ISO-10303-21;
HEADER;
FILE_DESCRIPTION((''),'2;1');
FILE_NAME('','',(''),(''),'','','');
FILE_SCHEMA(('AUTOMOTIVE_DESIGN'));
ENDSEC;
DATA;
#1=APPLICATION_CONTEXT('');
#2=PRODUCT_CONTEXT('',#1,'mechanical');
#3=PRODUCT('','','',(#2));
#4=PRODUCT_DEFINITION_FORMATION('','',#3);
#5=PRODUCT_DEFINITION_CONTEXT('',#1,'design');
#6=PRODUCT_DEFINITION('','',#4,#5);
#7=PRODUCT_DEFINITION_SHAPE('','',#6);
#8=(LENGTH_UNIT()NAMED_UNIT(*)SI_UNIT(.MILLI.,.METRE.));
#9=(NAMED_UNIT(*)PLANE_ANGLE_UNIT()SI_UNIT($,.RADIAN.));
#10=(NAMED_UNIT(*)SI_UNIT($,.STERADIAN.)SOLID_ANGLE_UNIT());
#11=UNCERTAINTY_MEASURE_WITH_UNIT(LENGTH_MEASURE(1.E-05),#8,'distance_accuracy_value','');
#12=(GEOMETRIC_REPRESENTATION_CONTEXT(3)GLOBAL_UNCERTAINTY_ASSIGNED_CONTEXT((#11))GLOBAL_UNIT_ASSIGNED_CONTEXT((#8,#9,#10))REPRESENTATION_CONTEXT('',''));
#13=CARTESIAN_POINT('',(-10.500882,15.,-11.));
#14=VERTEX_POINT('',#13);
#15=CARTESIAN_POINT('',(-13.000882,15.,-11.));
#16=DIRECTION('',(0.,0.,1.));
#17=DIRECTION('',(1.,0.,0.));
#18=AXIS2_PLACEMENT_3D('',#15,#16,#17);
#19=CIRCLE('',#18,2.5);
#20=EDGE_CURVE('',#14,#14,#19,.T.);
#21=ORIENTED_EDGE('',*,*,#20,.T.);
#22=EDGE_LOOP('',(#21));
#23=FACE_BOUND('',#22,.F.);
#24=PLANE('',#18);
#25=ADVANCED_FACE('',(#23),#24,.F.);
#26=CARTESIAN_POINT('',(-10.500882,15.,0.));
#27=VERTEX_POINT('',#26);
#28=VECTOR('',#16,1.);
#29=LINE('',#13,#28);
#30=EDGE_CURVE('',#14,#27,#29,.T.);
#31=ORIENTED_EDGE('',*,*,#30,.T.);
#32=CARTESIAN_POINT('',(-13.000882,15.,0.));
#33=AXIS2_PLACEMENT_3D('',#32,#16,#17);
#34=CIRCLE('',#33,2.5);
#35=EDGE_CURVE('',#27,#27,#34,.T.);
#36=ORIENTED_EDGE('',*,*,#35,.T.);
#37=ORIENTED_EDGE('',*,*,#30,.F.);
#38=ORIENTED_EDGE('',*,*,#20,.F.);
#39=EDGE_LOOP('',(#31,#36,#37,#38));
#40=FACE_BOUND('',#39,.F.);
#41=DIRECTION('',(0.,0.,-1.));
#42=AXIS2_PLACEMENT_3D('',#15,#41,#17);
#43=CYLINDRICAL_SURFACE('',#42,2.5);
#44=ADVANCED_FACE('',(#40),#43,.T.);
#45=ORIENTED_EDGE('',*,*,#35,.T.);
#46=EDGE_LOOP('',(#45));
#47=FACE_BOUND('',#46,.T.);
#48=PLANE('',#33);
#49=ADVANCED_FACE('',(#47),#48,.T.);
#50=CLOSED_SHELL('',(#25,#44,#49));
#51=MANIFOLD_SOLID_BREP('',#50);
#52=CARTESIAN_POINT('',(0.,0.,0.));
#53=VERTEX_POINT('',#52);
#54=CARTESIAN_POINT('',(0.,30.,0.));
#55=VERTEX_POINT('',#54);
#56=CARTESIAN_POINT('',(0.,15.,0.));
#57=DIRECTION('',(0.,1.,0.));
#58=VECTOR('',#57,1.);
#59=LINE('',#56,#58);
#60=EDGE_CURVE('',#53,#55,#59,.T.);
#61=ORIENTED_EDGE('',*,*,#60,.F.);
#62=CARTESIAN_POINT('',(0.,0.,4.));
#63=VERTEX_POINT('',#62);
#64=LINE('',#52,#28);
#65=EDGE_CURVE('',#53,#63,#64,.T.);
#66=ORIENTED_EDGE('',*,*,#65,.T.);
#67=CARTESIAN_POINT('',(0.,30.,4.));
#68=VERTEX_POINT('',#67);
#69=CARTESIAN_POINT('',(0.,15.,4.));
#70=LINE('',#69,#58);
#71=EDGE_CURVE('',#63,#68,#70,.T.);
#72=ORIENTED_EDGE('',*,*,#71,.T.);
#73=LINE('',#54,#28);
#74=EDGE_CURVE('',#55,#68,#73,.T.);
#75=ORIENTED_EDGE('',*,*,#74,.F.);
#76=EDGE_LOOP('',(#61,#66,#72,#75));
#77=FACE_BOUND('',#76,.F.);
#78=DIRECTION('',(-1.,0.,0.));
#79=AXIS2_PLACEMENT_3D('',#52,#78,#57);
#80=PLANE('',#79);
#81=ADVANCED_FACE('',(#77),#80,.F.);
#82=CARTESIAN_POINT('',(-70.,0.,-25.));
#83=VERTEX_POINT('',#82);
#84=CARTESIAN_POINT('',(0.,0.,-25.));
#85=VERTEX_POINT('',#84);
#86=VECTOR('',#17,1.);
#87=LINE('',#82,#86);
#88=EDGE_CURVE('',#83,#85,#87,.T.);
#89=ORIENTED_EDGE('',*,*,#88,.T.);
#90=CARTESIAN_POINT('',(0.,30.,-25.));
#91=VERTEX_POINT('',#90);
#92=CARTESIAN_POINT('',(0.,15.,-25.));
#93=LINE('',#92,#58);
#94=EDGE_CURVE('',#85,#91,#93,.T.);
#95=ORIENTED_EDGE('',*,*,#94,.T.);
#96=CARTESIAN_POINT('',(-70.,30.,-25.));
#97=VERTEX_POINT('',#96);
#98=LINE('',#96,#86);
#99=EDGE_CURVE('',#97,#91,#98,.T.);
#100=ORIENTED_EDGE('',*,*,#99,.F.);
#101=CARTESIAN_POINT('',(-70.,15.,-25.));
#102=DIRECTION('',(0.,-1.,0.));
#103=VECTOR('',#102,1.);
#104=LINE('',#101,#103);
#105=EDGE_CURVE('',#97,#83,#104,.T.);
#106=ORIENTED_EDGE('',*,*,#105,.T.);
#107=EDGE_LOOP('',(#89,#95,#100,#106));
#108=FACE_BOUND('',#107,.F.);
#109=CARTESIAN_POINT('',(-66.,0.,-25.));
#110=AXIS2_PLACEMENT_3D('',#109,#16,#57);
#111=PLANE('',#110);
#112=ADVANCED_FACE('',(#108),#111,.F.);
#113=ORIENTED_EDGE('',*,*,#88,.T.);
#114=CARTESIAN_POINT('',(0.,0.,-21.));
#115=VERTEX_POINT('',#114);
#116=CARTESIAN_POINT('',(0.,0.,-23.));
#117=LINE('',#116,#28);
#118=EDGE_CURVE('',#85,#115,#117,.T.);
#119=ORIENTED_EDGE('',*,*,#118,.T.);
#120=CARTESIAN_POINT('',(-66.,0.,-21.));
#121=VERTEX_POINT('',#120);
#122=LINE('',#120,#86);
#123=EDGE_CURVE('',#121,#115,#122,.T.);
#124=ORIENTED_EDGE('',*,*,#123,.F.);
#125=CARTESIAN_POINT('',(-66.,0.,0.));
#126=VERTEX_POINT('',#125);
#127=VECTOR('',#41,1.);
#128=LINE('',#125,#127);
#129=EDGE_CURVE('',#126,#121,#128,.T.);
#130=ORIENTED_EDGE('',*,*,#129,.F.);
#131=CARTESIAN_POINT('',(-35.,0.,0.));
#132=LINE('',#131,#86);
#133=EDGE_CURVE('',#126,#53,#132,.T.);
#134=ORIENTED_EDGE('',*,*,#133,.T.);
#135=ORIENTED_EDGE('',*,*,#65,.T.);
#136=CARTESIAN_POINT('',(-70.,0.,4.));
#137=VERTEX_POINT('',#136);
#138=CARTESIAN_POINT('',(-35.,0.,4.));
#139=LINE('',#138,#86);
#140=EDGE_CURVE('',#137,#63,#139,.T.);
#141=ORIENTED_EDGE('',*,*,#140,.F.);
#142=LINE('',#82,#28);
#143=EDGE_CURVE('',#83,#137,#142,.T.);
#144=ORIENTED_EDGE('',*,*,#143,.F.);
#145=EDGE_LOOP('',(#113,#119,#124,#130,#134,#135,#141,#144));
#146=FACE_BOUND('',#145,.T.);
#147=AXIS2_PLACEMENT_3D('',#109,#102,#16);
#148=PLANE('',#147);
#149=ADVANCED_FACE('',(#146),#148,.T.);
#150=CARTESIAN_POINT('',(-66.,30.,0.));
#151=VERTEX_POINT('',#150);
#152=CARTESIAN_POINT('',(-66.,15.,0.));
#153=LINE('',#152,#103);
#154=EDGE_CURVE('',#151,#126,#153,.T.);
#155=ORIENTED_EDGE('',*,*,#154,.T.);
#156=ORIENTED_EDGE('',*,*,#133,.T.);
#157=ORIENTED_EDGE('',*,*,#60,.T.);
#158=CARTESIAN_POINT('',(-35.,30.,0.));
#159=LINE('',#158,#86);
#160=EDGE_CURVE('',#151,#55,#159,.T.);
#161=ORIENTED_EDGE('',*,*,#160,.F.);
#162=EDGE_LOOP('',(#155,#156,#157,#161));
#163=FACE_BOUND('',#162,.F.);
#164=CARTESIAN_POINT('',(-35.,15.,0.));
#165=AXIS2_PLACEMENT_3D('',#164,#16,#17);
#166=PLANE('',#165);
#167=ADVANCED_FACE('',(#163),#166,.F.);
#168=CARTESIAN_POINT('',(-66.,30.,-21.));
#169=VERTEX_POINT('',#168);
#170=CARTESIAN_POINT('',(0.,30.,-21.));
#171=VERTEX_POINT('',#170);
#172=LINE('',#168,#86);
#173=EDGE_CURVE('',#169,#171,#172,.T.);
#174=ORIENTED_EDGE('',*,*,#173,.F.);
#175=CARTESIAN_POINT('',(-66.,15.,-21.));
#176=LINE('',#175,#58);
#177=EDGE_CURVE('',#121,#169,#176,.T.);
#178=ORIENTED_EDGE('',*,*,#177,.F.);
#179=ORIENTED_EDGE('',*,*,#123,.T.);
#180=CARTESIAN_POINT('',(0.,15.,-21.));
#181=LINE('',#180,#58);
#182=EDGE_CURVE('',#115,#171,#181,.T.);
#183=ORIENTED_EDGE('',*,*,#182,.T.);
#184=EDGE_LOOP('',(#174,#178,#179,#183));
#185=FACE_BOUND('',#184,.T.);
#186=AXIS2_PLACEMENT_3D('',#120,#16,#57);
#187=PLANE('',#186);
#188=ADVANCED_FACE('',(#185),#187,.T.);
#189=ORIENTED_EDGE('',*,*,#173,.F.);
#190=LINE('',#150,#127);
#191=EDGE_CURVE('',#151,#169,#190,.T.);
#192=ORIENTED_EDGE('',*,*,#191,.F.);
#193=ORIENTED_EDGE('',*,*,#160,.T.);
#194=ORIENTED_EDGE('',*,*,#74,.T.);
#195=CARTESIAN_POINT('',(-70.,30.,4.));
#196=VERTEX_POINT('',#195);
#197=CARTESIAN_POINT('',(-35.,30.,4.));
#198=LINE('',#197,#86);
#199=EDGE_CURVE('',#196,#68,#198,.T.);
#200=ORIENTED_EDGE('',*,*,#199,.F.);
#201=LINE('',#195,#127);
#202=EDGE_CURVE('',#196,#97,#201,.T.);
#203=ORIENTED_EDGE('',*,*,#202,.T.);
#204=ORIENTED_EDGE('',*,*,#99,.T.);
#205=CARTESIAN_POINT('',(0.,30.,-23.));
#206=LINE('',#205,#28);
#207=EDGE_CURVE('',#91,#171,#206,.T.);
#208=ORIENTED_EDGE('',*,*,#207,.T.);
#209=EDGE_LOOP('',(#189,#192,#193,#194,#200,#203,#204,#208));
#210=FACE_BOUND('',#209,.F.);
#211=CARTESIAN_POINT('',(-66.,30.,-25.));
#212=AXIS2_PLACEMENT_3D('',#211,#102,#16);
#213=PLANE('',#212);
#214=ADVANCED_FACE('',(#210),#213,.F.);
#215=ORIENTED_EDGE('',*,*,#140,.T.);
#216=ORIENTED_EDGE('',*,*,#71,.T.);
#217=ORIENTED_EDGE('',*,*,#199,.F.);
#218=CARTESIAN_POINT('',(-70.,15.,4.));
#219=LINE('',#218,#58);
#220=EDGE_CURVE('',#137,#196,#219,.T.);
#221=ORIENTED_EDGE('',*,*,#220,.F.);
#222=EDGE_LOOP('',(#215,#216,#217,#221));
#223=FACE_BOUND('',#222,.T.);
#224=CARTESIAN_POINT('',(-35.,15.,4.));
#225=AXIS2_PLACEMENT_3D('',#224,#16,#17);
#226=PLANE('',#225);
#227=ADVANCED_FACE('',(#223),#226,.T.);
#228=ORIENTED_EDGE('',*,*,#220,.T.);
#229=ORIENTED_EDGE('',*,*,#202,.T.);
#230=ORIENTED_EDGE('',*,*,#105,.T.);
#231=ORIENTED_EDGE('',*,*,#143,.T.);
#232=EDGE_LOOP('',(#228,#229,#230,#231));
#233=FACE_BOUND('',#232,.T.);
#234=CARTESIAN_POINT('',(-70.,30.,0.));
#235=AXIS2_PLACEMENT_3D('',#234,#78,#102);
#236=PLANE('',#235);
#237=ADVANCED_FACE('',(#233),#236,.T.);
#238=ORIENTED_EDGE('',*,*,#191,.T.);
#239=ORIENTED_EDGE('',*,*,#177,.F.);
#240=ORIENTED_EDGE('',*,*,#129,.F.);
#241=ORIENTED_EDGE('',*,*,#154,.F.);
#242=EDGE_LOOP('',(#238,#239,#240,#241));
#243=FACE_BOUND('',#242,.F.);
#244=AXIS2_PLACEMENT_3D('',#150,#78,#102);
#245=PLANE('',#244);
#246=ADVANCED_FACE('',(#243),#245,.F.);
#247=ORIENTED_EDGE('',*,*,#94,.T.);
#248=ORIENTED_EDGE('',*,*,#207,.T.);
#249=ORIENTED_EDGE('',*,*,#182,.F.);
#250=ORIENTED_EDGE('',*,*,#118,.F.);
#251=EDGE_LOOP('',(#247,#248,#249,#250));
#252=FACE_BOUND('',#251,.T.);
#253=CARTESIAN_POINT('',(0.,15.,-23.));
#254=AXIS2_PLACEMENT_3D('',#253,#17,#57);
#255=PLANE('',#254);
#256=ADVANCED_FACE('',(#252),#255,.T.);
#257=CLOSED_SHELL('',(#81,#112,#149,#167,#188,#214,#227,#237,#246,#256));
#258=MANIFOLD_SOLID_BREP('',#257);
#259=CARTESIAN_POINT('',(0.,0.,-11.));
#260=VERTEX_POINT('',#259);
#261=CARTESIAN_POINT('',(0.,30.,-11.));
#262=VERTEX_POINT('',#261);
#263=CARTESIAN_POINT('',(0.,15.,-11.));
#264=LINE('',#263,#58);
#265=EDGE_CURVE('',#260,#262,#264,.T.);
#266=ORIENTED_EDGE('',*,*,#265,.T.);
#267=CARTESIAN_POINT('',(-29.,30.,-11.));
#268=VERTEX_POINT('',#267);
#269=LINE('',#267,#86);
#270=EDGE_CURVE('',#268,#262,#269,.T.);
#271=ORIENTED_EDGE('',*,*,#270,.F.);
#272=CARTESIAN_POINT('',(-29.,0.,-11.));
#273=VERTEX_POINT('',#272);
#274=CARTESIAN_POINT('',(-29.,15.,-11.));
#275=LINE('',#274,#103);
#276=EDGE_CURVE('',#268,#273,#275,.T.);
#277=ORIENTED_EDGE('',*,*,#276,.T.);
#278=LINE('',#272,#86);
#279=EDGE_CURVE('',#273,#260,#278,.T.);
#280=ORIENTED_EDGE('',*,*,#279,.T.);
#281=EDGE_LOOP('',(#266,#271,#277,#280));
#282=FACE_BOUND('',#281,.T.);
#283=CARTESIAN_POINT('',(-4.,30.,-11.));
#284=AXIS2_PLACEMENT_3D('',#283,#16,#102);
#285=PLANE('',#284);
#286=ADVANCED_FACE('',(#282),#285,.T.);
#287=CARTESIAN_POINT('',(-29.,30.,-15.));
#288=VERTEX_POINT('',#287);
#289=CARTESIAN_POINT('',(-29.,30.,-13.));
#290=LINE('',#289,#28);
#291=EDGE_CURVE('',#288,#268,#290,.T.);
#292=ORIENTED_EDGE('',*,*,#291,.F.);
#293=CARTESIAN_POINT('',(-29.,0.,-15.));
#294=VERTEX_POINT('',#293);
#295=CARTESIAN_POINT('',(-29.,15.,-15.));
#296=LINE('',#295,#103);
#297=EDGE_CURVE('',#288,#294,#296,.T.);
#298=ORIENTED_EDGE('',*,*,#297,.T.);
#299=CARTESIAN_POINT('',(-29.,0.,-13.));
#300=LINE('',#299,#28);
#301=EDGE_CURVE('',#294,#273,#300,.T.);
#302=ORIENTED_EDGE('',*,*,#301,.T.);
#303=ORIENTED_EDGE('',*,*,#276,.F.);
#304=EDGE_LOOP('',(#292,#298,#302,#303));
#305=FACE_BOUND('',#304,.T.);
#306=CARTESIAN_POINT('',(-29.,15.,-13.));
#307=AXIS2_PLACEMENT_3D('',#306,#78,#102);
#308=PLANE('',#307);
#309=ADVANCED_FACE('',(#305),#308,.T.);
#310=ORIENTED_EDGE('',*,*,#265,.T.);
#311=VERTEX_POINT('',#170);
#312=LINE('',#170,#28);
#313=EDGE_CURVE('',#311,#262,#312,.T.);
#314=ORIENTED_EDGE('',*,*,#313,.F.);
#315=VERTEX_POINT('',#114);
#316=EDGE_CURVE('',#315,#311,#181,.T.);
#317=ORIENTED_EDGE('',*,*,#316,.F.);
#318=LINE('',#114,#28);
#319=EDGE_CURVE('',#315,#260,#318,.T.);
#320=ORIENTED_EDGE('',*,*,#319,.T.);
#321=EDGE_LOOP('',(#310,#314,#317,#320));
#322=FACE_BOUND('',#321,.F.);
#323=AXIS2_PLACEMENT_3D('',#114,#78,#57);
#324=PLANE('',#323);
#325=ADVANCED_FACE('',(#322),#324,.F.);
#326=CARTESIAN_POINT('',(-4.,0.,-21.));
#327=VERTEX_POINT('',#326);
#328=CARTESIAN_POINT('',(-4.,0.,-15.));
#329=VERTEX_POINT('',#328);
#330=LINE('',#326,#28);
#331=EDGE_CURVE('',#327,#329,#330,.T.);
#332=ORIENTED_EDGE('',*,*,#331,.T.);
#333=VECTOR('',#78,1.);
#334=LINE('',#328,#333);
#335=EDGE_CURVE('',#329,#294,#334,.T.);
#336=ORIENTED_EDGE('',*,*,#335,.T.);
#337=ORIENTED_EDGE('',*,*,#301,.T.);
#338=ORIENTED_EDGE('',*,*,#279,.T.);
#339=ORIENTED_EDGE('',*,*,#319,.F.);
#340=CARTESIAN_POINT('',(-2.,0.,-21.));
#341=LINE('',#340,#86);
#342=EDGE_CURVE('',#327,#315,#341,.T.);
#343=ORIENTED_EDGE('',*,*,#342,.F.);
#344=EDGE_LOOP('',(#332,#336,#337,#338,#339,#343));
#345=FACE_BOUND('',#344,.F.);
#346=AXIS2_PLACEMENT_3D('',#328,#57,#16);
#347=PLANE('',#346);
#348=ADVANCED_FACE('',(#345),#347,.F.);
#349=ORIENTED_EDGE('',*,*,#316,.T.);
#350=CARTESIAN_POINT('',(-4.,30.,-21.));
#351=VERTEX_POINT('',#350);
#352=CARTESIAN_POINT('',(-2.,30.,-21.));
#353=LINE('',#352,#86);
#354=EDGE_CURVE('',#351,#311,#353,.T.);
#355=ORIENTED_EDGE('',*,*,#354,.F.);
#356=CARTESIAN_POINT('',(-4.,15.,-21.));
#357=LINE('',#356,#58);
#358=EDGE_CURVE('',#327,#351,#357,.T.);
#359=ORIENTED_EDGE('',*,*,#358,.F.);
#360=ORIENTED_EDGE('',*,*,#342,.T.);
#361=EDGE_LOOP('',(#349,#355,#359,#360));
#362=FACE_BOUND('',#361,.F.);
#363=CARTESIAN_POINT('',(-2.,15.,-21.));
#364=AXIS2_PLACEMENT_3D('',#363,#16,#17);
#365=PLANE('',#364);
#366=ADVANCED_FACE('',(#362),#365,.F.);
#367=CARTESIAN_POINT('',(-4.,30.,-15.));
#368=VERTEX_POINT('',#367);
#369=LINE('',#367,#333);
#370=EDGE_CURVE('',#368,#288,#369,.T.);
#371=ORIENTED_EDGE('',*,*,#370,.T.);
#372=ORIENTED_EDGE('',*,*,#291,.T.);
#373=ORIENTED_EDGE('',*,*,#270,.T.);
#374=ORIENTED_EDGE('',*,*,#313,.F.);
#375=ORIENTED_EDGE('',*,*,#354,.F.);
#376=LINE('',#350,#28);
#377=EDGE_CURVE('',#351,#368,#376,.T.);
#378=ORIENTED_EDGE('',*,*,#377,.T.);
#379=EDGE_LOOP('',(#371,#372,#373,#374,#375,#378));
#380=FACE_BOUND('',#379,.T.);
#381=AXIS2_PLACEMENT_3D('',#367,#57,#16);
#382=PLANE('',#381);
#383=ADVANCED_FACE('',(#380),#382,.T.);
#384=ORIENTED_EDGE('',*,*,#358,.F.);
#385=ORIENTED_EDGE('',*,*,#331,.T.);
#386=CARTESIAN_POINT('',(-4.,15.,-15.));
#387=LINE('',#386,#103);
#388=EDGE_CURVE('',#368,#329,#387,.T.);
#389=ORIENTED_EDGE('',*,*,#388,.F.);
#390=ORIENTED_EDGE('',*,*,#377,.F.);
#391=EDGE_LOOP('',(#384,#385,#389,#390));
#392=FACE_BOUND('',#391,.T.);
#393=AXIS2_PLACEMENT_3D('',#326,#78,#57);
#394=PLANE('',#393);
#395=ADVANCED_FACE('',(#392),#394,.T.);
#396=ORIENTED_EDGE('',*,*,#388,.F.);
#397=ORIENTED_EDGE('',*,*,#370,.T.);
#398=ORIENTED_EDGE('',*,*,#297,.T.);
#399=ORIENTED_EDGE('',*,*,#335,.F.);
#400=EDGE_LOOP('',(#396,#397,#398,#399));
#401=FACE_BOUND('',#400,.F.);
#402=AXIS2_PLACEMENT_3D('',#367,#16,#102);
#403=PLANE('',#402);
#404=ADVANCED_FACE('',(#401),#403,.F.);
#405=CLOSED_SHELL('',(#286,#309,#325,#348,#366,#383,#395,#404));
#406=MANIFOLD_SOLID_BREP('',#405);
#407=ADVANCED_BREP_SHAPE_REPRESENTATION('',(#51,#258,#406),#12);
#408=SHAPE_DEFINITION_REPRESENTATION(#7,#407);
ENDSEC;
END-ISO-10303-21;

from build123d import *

# Parameters (mm, degrees)
F0_W      = 70
F0_H      = 30
F1_DEPTH  = 4
F2_W      = 4
F2_H      = 30
F3_DEPTH  = 25
F4_W      = 30
F4_H      = 4
F5_DEPTH  = 66
F6_W      = 4
F6_H      = 30
F7_DEPTH  = 10
F8_W      = 30
F8_H      = 4
F9_DEPTH  = 25
F10_R     = 2.5
F11_DEPTH = 11


with BuildPart() as f1:
    # F0 (on Top) → F1 (new body)
    with BuildSketch(Plane.XY):
        with Locations((-35, 15)):
            Rectangle(F0_W, F0_H)
    extrude(amount=F1_DEPTH)

    # F2 (on face) → F3 (join)
    with BuildSketch(Plane(origin=(0, 0, 0), x_dir=(1, 0, 0), z_dir=(0, 0, -1))):
        with Locations((-68, -15)):
            Rectangle(F2_W, F2_H)
    extrude(amount=F3_DEPTH)

    # F4 (on face) → F5 (join)
    with BuildSketch(Plane.YZ.offset(-66)):
        with Locations((15, -23)):
            Rectangle(F4_W, F4_H)
    extrude(amount=F5_DEPTH)


with BuildPart() as f7:
    # F6 (on face) → F7 (new body)
    with BuildSketch(Plane.XY.offset(-21)):
        with Locations((-2, 15)):
            Rectangle(F6_W, F6_H)
    extrude(amount=F7_DEPTH)

    # F8 (on face) → F9 (join)
    with BuildSketch(Plane(origin=(-4, 0, 0), x_dir=(0, -1, 0), z_dir=(-1, 0, 0))):
        with Locations((-15, -13)):
            Rectangle(F8_W, F8_H)
    extrude(amount=F9_DEPTH)


with BuildPart() as f11:
    # F10 (on face) → F11 (new body)
    with BuildSketch(Plane.XY.offset(-11)):
        with Locations((-13.000882, 15)):
            Circle(F10_R)
    extrude(amount=F11_DEPTH)


solid = Compound([f1.part, f7.part, f11.part])
